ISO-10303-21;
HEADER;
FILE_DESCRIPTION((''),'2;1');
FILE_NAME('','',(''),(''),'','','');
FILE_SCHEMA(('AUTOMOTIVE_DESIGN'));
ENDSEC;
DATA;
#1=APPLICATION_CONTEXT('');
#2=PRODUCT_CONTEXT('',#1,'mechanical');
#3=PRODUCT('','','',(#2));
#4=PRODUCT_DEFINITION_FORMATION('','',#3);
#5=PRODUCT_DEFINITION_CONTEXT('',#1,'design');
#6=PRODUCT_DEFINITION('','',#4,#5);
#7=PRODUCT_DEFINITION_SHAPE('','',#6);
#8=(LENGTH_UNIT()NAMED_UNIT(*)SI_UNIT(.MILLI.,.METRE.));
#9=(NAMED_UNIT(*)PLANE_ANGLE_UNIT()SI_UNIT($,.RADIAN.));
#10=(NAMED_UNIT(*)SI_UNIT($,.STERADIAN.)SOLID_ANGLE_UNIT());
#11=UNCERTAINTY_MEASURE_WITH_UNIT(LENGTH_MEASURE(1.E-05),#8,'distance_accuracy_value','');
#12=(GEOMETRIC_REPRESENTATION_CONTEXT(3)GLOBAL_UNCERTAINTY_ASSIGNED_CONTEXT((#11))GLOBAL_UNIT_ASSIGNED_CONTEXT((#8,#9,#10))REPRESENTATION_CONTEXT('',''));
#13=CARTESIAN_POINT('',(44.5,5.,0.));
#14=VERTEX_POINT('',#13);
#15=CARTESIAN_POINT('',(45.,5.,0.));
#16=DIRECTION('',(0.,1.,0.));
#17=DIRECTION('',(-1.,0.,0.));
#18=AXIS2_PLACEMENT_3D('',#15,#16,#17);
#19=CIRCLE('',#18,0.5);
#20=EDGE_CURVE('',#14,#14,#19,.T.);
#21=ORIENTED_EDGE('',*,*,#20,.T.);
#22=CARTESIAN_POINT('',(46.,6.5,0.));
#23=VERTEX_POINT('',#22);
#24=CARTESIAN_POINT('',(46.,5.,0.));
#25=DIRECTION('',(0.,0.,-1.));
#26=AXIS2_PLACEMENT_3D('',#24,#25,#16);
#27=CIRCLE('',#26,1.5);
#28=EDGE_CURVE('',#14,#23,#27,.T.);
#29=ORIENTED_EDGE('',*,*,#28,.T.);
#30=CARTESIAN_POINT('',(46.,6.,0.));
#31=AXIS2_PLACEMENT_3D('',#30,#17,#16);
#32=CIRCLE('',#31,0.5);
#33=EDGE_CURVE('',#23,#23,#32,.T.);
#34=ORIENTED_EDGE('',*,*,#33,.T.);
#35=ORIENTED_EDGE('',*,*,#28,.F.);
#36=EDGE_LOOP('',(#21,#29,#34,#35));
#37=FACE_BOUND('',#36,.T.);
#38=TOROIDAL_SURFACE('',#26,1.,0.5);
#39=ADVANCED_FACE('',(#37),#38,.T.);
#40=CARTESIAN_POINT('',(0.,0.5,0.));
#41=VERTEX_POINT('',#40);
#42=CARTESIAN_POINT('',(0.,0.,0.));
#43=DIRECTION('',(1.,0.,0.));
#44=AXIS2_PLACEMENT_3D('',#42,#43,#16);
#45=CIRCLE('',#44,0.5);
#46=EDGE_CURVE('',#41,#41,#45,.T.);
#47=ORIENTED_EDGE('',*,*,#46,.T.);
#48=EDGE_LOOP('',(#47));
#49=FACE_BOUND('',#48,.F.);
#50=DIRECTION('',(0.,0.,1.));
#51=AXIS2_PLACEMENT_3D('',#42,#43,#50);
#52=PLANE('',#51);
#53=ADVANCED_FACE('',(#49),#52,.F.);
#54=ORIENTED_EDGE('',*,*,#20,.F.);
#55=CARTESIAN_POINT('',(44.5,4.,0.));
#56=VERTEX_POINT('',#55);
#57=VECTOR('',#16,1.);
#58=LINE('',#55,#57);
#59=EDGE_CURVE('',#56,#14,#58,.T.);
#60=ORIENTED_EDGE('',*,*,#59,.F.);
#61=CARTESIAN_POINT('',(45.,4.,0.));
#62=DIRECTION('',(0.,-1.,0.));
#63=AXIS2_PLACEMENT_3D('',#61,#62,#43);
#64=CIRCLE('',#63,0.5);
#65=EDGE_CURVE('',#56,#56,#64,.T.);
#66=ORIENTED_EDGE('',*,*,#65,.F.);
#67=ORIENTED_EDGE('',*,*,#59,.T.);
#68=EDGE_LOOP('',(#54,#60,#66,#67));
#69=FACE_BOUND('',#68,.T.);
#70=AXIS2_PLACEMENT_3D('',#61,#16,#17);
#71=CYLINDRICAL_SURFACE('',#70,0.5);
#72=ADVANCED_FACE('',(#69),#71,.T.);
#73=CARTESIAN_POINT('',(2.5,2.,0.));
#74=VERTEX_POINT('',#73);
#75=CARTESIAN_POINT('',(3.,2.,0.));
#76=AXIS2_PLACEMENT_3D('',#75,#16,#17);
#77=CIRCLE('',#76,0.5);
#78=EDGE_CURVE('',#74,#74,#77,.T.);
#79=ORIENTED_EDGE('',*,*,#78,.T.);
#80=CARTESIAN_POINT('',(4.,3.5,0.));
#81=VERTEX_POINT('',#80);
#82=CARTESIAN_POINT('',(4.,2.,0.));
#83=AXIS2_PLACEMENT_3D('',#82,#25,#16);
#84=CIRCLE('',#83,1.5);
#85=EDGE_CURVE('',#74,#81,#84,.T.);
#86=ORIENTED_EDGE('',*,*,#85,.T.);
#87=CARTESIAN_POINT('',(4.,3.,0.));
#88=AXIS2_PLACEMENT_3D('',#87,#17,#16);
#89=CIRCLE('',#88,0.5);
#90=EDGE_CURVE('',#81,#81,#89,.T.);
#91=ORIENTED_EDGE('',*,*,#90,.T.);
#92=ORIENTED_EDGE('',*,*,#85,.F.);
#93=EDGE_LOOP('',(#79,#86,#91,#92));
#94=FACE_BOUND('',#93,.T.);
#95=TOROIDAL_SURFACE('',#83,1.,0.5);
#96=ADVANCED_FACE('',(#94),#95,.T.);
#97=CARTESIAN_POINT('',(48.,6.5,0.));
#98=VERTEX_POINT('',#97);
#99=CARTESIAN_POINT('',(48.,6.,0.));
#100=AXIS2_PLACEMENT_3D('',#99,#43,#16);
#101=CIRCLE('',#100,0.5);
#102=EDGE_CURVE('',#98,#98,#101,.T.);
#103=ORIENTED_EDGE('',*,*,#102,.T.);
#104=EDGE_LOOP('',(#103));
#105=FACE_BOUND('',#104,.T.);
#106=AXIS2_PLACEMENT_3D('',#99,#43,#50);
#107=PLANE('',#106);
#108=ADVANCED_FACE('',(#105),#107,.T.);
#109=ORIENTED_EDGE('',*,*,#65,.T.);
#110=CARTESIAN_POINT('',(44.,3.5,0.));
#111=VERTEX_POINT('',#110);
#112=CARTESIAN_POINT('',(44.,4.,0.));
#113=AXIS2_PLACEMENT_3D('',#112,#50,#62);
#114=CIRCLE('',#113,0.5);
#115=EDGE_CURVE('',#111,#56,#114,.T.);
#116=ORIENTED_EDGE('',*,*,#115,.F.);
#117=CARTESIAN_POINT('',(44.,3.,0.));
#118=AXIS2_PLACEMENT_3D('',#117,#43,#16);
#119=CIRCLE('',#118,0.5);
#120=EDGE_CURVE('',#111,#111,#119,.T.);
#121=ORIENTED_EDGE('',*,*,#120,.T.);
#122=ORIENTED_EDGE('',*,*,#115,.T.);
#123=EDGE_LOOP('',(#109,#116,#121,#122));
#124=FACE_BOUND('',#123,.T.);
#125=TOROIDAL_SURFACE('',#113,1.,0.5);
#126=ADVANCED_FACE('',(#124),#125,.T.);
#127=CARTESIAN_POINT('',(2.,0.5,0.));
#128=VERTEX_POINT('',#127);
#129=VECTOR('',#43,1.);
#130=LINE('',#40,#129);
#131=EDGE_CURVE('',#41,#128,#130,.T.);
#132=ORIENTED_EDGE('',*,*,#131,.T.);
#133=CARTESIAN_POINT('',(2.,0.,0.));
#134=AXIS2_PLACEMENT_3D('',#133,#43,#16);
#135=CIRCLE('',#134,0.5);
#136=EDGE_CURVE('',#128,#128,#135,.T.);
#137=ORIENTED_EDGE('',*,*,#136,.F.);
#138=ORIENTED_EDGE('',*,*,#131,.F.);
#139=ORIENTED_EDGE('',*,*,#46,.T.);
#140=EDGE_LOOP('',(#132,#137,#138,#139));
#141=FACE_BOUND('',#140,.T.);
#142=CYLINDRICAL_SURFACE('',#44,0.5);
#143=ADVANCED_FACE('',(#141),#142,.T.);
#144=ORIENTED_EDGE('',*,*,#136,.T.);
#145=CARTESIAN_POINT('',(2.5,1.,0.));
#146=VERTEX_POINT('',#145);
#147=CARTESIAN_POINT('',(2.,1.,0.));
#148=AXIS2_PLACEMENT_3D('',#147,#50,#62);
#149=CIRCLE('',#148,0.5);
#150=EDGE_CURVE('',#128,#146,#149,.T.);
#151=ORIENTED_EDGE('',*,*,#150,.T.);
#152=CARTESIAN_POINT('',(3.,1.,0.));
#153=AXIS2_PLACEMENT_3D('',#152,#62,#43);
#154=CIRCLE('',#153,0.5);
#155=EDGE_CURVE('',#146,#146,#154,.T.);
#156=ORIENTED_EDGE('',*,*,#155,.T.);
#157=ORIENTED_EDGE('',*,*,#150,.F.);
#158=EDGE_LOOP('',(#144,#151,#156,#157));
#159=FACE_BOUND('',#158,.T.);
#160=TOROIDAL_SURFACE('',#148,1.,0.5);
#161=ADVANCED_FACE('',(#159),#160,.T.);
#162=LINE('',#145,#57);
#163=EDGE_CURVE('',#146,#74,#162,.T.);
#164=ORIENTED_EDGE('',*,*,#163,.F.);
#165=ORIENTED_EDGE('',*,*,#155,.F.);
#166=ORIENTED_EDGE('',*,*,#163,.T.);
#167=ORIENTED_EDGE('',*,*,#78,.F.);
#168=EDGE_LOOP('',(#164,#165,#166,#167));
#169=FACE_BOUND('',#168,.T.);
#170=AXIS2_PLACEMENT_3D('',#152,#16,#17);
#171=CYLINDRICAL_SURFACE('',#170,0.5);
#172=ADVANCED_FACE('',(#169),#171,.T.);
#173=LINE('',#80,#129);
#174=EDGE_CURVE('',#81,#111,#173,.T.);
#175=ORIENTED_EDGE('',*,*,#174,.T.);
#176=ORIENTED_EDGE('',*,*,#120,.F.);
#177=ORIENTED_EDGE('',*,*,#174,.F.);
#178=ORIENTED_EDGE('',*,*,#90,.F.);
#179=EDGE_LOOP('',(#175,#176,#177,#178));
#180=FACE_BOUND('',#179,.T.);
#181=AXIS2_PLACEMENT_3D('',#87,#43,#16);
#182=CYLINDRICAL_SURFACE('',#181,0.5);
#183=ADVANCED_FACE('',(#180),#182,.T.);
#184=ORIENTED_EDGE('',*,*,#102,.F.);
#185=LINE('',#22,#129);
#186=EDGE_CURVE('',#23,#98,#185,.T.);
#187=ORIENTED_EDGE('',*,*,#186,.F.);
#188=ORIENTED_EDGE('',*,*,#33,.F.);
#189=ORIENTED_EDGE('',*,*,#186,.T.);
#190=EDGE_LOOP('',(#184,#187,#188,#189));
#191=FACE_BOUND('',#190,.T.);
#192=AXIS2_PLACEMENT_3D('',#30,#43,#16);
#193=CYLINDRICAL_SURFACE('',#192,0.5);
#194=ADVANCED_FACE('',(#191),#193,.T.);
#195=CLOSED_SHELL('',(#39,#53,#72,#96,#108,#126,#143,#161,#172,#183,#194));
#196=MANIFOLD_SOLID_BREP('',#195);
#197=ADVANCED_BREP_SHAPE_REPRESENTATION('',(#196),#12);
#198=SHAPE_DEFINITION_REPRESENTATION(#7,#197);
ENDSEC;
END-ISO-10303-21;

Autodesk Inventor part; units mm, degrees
ref_plane "YZ Plane" through (0, 0, 0) normal (1, 0, 0) x (0, 1, 0)
ref_plane "XZ Plane" through (0, 0, 0) normal (0, 1, 0) x (-1, 0, 0)
ref_plane "XY Plane" through (0, 0, 0) normal (0, 0, 1) x (1, 0, 0)
sketch "Skizze1" plane through (0, 0, 0) normal (0, 0, 1) x (1, 0, 0)
  line L0 (0, 0) -> (2, 0)
  line L1 (3, 1) -> (3, 2)
  line L2 (4, 3) -> (44, 3)
  line L3 (45, 4) -> (45, 5)
  line L4 (46, 6) -> (48, 6)
  arc A0 (2, 0) -> (3, 1) centre (2, 1) ccw
  arc A1 (4, 3) -> (3, 2) centre (4, 2) ccw
  arc A2 (44, 3) -> (45, 4) centre (44, 4) ccw
  arc A3 (46, 6) -> (45, 5) centre (46, 5) ccw
  dimension "d0" = 1
  dimension "d4" = 2
  dimension "d5" = 3
  dimension "d6" = 3
  dimension "d7" = 40
  dimension "d8" = 2
sketch "Skizze2" plane through (0, 0, 0) normal (1, 0, 0) x (0, 1, 0)
  circle A0 centre (0, 0) radius 0.5
  dimension "d1" = 1
sweep "Sweeping1" add profiles "Skizze2" path "Skizze1"
properties part number "P_Wing_mid_servolink"
